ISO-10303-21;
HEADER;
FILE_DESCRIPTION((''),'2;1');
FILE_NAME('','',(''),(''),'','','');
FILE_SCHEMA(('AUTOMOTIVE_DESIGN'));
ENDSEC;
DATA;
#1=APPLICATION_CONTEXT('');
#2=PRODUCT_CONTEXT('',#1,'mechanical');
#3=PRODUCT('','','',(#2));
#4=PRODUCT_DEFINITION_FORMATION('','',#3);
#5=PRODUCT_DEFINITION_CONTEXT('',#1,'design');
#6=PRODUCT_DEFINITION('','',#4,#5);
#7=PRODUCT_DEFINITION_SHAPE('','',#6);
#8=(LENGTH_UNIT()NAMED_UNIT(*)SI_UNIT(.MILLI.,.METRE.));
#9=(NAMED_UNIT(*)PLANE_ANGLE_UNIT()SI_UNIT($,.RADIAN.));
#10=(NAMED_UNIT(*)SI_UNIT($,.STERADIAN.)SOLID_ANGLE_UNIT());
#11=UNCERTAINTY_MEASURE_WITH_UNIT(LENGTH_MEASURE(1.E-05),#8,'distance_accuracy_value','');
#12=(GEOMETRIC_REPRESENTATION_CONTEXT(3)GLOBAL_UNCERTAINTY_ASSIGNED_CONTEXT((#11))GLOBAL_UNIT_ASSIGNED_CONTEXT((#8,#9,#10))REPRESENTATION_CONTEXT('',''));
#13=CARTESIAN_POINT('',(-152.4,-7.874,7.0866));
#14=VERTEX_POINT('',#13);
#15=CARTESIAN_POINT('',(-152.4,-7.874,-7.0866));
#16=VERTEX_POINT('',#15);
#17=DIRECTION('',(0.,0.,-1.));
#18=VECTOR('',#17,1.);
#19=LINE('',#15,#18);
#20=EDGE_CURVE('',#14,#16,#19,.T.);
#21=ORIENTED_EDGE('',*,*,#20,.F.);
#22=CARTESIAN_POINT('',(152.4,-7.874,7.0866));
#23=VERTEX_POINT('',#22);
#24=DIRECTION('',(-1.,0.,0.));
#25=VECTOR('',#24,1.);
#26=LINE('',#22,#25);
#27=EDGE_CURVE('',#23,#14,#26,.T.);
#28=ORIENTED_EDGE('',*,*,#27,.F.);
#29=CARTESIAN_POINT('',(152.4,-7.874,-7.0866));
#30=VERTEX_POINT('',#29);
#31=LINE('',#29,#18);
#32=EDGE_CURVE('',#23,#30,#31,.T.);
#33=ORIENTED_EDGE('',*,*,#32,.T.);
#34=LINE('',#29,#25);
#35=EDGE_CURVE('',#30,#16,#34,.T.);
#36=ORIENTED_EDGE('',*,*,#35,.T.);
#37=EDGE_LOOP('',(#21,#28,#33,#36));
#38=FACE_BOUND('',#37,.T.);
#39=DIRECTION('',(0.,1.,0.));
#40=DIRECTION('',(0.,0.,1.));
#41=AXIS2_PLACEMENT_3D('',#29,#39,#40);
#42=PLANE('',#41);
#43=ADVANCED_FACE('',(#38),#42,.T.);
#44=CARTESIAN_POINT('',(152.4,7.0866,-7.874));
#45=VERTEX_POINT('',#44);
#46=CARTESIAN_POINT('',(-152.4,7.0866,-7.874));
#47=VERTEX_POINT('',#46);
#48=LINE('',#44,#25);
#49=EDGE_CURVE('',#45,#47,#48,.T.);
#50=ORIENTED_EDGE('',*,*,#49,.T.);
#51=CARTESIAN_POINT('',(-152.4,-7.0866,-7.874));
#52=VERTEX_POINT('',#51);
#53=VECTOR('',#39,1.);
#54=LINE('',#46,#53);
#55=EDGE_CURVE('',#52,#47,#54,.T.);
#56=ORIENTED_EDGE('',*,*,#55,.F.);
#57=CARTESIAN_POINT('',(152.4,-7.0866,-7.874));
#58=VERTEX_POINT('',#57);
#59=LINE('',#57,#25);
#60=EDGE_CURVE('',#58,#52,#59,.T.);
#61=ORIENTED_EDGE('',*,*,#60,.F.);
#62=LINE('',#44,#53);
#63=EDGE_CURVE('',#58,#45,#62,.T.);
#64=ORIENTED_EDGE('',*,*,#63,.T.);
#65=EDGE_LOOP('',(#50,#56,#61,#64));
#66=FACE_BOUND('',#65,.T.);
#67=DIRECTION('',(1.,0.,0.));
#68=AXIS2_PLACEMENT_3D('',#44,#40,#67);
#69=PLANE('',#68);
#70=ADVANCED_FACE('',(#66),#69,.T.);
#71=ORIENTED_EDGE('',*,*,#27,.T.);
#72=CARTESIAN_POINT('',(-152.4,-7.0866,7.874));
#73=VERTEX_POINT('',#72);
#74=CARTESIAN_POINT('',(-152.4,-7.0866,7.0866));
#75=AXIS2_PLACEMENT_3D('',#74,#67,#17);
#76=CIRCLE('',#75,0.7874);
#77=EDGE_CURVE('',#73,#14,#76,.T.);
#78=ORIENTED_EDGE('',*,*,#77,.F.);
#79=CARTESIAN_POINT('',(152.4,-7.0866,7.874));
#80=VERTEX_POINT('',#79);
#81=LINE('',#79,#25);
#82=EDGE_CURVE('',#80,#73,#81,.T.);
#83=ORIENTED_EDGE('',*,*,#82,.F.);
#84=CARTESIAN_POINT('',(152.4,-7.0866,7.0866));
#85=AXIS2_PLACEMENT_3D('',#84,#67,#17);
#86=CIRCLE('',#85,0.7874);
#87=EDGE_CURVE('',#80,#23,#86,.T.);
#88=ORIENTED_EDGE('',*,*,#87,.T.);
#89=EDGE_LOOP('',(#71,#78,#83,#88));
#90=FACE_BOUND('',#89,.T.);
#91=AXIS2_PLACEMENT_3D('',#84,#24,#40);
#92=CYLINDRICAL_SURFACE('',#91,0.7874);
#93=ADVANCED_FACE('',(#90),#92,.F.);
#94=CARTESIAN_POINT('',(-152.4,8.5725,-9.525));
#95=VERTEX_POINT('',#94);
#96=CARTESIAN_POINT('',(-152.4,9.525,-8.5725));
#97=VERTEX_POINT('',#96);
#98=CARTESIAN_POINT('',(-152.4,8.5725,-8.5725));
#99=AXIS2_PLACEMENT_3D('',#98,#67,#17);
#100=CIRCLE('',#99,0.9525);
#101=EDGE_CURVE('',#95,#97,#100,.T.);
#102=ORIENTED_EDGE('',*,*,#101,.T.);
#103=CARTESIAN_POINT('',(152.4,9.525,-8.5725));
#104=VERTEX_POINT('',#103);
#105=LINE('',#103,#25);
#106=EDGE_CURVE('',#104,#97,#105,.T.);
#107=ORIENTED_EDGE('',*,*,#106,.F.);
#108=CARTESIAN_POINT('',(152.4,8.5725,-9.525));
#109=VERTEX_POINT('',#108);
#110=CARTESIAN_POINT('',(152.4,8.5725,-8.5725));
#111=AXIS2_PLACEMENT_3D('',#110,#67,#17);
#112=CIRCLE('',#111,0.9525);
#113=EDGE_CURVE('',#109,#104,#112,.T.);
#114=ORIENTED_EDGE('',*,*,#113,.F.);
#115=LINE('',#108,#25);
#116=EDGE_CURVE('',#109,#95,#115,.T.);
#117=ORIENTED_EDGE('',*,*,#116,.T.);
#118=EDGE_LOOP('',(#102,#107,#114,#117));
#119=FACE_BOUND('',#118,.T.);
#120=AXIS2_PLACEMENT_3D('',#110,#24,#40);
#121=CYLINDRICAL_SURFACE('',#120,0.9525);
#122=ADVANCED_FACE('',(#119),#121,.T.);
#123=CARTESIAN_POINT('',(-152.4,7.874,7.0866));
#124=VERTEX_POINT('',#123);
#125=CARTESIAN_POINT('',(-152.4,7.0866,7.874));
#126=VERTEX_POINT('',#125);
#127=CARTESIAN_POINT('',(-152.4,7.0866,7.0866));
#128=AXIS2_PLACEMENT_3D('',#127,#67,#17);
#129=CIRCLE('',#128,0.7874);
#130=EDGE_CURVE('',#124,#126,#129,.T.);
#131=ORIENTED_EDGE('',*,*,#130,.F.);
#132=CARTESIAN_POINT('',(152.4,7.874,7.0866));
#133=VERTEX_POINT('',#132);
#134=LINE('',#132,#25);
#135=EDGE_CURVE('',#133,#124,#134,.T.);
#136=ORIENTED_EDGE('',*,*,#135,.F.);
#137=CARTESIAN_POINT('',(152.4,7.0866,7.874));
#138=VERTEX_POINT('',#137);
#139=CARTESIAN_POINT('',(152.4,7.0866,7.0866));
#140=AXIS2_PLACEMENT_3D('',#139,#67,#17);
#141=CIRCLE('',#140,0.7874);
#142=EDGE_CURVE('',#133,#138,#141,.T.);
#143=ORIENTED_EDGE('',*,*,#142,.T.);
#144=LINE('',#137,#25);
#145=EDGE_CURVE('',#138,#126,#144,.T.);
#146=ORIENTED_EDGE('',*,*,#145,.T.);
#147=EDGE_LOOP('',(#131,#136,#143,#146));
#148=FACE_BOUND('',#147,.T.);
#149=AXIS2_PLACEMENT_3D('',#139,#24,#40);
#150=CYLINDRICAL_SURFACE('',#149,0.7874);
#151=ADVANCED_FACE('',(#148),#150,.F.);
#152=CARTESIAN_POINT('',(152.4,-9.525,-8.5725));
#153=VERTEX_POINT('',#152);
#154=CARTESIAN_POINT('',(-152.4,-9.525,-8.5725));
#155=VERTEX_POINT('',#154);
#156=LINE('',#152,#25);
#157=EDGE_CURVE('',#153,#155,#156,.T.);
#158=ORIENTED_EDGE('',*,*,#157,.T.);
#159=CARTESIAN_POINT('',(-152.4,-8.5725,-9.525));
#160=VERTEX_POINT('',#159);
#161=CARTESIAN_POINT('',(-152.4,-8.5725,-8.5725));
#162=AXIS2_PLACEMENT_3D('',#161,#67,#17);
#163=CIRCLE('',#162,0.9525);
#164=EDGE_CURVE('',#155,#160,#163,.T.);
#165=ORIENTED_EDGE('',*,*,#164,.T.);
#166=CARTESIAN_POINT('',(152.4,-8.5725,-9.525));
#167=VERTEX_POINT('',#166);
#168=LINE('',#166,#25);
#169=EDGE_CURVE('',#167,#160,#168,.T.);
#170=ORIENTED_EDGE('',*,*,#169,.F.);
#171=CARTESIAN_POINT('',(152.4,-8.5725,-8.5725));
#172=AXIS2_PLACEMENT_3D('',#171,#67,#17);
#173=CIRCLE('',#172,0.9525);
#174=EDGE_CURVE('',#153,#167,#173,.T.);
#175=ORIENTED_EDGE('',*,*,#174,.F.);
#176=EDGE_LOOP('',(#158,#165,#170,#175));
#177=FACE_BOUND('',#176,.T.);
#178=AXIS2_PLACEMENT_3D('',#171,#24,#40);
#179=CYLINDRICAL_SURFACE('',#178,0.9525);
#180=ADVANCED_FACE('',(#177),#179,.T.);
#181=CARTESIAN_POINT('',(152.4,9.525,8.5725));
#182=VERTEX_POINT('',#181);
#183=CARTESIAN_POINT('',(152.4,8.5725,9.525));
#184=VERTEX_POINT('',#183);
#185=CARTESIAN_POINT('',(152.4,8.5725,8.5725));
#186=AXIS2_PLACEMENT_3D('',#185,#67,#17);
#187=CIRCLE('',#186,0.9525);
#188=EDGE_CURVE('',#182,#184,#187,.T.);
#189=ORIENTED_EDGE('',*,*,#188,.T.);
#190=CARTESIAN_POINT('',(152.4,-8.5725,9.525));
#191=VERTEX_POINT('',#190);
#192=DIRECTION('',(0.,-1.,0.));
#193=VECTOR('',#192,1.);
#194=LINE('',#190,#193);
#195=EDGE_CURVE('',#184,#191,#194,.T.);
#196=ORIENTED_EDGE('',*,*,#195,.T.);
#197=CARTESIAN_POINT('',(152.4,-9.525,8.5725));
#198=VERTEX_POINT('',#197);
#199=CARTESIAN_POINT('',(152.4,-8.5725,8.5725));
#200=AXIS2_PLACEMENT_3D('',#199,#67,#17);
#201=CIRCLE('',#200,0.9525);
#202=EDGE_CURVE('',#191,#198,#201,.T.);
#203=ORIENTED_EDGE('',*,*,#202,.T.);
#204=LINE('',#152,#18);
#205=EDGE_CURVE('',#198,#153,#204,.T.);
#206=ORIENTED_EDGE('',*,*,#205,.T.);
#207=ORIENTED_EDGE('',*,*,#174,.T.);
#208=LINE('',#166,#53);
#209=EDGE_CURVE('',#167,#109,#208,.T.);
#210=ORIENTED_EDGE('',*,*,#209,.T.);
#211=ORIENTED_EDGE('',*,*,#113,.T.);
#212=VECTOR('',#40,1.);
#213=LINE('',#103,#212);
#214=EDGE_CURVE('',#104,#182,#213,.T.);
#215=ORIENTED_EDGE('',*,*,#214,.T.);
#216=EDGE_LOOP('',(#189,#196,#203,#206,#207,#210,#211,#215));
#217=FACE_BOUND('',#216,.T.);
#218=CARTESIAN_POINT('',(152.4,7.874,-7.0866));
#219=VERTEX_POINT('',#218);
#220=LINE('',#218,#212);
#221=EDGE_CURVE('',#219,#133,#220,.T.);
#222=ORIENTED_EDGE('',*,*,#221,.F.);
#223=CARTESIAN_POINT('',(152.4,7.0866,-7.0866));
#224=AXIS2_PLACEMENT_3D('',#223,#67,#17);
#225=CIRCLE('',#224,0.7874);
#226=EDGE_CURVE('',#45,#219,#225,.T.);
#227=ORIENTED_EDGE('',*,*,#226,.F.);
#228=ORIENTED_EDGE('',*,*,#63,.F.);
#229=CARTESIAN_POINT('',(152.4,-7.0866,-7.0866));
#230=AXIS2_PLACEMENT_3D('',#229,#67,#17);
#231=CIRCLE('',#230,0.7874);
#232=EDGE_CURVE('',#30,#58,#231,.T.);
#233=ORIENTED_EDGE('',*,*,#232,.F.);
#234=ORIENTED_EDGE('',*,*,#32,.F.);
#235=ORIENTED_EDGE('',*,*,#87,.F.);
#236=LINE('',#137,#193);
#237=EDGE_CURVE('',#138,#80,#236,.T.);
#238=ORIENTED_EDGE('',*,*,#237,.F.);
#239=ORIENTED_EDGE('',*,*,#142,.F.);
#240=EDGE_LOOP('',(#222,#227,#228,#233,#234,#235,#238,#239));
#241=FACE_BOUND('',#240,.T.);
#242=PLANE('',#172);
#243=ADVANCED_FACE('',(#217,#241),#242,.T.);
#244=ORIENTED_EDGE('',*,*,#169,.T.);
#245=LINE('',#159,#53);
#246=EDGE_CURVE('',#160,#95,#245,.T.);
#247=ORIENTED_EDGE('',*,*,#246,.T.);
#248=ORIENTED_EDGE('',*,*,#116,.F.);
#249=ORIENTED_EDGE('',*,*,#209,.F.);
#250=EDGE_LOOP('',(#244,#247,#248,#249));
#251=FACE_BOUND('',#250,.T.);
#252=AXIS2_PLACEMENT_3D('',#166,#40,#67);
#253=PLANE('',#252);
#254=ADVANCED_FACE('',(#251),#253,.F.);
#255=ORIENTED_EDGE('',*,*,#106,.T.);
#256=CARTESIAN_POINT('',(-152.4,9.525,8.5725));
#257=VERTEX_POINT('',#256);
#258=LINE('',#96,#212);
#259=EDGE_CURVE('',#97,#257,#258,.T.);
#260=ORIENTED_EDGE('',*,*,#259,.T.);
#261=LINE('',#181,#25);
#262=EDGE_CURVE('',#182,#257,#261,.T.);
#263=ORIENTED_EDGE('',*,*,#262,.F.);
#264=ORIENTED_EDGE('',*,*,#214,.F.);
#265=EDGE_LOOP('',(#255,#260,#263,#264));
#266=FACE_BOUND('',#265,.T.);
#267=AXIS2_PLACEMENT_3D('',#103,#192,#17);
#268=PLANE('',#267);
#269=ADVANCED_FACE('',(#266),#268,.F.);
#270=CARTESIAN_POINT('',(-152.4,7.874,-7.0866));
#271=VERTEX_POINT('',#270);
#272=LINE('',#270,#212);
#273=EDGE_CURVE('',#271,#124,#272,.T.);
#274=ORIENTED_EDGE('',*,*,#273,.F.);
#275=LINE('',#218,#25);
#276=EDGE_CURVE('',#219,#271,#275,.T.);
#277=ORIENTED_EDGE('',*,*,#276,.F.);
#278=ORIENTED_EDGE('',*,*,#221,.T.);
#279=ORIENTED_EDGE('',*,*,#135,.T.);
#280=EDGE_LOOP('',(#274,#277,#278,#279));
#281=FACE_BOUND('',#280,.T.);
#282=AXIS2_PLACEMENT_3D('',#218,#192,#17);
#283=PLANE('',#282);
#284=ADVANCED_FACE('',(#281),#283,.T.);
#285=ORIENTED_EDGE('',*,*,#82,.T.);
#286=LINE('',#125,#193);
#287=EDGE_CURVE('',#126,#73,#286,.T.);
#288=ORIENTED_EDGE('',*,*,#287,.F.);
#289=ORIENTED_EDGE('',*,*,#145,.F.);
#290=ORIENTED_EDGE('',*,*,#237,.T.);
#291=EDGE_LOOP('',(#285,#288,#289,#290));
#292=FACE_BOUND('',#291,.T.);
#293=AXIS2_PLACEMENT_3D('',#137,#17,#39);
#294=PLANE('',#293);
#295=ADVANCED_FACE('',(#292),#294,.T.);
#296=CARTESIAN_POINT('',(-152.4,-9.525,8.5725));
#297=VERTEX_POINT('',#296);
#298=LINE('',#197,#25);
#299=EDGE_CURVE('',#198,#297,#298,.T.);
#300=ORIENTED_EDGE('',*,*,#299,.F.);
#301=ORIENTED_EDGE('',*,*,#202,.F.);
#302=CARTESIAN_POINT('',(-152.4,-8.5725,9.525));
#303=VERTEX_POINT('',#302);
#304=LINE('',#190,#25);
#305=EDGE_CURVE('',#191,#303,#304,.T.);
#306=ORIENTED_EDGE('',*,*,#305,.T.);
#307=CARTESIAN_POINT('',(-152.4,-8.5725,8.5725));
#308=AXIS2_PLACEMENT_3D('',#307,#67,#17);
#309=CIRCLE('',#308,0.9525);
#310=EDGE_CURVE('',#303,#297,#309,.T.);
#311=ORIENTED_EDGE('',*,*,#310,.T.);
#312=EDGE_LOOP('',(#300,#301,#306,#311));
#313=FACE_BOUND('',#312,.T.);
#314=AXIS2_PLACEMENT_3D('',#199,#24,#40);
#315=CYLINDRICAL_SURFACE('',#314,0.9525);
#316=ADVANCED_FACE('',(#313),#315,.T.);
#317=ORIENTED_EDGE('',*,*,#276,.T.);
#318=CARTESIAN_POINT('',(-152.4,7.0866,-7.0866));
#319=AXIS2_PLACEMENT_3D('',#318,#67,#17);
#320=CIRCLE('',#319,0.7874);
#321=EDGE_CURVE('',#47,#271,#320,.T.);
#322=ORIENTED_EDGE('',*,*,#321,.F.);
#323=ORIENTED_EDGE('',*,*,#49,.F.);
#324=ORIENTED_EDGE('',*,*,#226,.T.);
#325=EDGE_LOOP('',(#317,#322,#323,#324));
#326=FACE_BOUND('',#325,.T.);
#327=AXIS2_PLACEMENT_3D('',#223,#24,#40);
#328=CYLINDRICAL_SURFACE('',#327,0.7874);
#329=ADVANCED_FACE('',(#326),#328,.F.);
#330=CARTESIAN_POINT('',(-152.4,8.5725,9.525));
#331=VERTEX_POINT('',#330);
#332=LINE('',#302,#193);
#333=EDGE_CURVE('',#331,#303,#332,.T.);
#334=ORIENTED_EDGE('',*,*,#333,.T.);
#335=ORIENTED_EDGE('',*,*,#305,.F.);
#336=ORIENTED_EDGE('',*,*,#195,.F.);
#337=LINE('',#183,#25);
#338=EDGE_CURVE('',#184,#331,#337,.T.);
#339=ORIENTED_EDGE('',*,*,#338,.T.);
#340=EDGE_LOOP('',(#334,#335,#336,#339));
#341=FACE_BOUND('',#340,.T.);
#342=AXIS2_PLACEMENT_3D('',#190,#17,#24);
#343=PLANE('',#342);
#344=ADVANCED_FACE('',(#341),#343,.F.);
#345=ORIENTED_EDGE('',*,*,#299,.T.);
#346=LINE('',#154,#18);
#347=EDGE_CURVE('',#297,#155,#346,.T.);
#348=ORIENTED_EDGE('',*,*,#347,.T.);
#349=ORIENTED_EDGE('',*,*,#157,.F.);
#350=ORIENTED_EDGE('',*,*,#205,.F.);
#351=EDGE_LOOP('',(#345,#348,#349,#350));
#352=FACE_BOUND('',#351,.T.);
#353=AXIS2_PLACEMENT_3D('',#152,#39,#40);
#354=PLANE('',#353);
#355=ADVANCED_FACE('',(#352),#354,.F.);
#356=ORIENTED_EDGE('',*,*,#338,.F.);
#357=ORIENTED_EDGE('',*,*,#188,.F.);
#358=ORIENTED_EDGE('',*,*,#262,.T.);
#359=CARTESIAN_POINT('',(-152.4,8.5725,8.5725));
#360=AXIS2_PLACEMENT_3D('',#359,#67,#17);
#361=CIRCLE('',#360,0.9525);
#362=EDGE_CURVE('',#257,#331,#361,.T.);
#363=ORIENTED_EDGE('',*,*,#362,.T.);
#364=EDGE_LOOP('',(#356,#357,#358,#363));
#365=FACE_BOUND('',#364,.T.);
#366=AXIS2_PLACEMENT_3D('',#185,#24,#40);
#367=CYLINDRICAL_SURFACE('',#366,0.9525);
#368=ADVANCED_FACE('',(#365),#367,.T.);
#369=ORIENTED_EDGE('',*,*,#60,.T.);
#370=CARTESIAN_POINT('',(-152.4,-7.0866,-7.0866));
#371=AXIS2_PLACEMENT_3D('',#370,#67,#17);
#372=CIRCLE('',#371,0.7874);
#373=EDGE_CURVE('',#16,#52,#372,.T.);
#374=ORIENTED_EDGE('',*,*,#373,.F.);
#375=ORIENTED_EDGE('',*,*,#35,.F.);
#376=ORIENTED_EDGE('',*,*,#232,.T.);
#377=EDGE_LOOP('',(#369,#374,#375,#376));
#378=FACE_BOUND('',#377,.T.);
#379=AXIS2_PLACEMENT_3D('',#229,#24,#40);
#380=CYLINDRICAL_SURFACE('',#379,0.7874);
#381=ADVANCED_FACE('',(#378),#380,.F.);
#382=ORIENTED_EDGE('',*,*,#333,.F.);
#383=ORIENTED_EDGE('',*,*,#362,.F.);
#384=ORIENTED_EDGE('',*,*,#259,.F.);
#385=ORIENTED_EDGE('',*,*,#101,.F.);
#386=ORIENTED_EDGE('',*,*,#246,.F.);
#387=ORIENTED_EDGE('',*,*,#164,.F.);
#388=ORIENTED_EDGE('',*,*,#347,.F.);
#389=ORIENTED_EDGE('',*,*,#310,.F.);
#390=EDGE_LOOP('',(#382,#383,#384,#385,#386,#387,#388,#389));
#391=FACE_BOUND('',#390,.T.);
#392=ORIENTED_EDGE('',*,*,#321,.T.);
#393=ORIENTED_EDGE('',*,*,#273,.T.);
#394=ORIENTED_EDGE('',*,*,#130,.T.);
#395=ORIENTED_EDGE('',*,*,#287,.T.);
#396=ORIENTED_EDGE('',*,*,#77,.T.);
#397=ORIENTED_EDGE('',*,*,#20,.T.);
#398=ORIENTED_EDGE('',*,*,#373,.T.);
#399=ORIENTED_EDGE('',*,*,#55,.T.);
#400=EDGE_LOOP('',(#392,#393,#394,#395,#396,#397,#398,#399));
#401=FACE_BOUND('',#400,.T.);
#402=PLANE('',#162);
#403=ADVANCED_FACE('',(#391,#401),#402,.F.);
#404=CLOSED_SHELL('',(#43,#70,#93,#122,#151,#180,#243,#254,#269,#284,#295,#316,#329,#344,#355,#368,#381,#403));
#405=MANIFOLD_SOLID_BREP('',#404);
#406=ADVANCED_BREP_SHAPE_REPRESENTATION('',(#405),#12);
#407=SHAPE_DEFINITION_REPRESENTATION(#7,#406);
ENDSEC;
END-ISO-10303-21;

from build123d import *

# Parameters (mm, degrees)
BOSS_EXTRUDE1_DEPTH      = 152.4
BOSS_EXTRUDE1_DEPTH_BACK = 152.4


with BuildPart() as part:
    # Sketch4 → Boss-Extrude1 (new, two sides: drawn at the far end of the back side and taken through both)
    with BuildSketch(Plane(origin=(0, 0, 0), x_dir=(0, 0, -1), z_dir=(1, 0, 0)).offset(-BOSS_EXTRUDE1_DEPTH_BACK)):
        with BuildLine():
            Line((9.525, -8.5725), (9.525, 8.5725))
            ThreePointArc((9.525, 8.5725), (9.246019209, 9.246019209), (8.5725, 9.525))
            Line((8.5725, 9.525), (-8.5725, 9.525))
            ThreePointArc((-8.5725, 9.525), (-9.246019209, 9.246019209), (-9.525, 8.5725))
            Line((-9.525, 8.5725), (-9.525, -8.5725))
            ThreePointArc((-9.525, -8.5725), (-9.246019209, -9.246019209), (-8.5725, -9.525))
            Line((-8.5725, -9.525), (8.5725, -9.525))
            ThreePointArc((8.5725, -9.525), (9.246019209, -9.246019209), (9.525, -8.5725))
        make_face()
        with BuildLine():
            Line((7.874, 7.0866), (7.874, -7.0866))
            ThreePointArc((7.874, -7.0866), (7.64337588, -7.64337588), (7.0866, -7.874))
            Line((7.0866, -7.874), (-7.0866, -7.874))
            ThreePointArc((-7.0866, -7.874), (-7.64337588, -7.64337588), (-7.874, -7.0866))
            Line((-7.874, -7.0866), (-7.874, 7.0866))
            ThreePointArc((-7.874, 7.0866), (-7.64337588, 7.64337588), (-7.0866, 7.874))
            Line((-7.0866, 7.874), (7.0866, 7.874))
            ThreePointArc((7.0866, 7.874), (7.64337588, 7.64337588), (7.874, 7.0866))
        make_face(mode=Mode.SUBTRACT)
    extrude(amount=BOSS_EXTRUDE1_DEPTH + BOSS_EXTRUDE1_DEPTH_BACK)


solid = part.part
